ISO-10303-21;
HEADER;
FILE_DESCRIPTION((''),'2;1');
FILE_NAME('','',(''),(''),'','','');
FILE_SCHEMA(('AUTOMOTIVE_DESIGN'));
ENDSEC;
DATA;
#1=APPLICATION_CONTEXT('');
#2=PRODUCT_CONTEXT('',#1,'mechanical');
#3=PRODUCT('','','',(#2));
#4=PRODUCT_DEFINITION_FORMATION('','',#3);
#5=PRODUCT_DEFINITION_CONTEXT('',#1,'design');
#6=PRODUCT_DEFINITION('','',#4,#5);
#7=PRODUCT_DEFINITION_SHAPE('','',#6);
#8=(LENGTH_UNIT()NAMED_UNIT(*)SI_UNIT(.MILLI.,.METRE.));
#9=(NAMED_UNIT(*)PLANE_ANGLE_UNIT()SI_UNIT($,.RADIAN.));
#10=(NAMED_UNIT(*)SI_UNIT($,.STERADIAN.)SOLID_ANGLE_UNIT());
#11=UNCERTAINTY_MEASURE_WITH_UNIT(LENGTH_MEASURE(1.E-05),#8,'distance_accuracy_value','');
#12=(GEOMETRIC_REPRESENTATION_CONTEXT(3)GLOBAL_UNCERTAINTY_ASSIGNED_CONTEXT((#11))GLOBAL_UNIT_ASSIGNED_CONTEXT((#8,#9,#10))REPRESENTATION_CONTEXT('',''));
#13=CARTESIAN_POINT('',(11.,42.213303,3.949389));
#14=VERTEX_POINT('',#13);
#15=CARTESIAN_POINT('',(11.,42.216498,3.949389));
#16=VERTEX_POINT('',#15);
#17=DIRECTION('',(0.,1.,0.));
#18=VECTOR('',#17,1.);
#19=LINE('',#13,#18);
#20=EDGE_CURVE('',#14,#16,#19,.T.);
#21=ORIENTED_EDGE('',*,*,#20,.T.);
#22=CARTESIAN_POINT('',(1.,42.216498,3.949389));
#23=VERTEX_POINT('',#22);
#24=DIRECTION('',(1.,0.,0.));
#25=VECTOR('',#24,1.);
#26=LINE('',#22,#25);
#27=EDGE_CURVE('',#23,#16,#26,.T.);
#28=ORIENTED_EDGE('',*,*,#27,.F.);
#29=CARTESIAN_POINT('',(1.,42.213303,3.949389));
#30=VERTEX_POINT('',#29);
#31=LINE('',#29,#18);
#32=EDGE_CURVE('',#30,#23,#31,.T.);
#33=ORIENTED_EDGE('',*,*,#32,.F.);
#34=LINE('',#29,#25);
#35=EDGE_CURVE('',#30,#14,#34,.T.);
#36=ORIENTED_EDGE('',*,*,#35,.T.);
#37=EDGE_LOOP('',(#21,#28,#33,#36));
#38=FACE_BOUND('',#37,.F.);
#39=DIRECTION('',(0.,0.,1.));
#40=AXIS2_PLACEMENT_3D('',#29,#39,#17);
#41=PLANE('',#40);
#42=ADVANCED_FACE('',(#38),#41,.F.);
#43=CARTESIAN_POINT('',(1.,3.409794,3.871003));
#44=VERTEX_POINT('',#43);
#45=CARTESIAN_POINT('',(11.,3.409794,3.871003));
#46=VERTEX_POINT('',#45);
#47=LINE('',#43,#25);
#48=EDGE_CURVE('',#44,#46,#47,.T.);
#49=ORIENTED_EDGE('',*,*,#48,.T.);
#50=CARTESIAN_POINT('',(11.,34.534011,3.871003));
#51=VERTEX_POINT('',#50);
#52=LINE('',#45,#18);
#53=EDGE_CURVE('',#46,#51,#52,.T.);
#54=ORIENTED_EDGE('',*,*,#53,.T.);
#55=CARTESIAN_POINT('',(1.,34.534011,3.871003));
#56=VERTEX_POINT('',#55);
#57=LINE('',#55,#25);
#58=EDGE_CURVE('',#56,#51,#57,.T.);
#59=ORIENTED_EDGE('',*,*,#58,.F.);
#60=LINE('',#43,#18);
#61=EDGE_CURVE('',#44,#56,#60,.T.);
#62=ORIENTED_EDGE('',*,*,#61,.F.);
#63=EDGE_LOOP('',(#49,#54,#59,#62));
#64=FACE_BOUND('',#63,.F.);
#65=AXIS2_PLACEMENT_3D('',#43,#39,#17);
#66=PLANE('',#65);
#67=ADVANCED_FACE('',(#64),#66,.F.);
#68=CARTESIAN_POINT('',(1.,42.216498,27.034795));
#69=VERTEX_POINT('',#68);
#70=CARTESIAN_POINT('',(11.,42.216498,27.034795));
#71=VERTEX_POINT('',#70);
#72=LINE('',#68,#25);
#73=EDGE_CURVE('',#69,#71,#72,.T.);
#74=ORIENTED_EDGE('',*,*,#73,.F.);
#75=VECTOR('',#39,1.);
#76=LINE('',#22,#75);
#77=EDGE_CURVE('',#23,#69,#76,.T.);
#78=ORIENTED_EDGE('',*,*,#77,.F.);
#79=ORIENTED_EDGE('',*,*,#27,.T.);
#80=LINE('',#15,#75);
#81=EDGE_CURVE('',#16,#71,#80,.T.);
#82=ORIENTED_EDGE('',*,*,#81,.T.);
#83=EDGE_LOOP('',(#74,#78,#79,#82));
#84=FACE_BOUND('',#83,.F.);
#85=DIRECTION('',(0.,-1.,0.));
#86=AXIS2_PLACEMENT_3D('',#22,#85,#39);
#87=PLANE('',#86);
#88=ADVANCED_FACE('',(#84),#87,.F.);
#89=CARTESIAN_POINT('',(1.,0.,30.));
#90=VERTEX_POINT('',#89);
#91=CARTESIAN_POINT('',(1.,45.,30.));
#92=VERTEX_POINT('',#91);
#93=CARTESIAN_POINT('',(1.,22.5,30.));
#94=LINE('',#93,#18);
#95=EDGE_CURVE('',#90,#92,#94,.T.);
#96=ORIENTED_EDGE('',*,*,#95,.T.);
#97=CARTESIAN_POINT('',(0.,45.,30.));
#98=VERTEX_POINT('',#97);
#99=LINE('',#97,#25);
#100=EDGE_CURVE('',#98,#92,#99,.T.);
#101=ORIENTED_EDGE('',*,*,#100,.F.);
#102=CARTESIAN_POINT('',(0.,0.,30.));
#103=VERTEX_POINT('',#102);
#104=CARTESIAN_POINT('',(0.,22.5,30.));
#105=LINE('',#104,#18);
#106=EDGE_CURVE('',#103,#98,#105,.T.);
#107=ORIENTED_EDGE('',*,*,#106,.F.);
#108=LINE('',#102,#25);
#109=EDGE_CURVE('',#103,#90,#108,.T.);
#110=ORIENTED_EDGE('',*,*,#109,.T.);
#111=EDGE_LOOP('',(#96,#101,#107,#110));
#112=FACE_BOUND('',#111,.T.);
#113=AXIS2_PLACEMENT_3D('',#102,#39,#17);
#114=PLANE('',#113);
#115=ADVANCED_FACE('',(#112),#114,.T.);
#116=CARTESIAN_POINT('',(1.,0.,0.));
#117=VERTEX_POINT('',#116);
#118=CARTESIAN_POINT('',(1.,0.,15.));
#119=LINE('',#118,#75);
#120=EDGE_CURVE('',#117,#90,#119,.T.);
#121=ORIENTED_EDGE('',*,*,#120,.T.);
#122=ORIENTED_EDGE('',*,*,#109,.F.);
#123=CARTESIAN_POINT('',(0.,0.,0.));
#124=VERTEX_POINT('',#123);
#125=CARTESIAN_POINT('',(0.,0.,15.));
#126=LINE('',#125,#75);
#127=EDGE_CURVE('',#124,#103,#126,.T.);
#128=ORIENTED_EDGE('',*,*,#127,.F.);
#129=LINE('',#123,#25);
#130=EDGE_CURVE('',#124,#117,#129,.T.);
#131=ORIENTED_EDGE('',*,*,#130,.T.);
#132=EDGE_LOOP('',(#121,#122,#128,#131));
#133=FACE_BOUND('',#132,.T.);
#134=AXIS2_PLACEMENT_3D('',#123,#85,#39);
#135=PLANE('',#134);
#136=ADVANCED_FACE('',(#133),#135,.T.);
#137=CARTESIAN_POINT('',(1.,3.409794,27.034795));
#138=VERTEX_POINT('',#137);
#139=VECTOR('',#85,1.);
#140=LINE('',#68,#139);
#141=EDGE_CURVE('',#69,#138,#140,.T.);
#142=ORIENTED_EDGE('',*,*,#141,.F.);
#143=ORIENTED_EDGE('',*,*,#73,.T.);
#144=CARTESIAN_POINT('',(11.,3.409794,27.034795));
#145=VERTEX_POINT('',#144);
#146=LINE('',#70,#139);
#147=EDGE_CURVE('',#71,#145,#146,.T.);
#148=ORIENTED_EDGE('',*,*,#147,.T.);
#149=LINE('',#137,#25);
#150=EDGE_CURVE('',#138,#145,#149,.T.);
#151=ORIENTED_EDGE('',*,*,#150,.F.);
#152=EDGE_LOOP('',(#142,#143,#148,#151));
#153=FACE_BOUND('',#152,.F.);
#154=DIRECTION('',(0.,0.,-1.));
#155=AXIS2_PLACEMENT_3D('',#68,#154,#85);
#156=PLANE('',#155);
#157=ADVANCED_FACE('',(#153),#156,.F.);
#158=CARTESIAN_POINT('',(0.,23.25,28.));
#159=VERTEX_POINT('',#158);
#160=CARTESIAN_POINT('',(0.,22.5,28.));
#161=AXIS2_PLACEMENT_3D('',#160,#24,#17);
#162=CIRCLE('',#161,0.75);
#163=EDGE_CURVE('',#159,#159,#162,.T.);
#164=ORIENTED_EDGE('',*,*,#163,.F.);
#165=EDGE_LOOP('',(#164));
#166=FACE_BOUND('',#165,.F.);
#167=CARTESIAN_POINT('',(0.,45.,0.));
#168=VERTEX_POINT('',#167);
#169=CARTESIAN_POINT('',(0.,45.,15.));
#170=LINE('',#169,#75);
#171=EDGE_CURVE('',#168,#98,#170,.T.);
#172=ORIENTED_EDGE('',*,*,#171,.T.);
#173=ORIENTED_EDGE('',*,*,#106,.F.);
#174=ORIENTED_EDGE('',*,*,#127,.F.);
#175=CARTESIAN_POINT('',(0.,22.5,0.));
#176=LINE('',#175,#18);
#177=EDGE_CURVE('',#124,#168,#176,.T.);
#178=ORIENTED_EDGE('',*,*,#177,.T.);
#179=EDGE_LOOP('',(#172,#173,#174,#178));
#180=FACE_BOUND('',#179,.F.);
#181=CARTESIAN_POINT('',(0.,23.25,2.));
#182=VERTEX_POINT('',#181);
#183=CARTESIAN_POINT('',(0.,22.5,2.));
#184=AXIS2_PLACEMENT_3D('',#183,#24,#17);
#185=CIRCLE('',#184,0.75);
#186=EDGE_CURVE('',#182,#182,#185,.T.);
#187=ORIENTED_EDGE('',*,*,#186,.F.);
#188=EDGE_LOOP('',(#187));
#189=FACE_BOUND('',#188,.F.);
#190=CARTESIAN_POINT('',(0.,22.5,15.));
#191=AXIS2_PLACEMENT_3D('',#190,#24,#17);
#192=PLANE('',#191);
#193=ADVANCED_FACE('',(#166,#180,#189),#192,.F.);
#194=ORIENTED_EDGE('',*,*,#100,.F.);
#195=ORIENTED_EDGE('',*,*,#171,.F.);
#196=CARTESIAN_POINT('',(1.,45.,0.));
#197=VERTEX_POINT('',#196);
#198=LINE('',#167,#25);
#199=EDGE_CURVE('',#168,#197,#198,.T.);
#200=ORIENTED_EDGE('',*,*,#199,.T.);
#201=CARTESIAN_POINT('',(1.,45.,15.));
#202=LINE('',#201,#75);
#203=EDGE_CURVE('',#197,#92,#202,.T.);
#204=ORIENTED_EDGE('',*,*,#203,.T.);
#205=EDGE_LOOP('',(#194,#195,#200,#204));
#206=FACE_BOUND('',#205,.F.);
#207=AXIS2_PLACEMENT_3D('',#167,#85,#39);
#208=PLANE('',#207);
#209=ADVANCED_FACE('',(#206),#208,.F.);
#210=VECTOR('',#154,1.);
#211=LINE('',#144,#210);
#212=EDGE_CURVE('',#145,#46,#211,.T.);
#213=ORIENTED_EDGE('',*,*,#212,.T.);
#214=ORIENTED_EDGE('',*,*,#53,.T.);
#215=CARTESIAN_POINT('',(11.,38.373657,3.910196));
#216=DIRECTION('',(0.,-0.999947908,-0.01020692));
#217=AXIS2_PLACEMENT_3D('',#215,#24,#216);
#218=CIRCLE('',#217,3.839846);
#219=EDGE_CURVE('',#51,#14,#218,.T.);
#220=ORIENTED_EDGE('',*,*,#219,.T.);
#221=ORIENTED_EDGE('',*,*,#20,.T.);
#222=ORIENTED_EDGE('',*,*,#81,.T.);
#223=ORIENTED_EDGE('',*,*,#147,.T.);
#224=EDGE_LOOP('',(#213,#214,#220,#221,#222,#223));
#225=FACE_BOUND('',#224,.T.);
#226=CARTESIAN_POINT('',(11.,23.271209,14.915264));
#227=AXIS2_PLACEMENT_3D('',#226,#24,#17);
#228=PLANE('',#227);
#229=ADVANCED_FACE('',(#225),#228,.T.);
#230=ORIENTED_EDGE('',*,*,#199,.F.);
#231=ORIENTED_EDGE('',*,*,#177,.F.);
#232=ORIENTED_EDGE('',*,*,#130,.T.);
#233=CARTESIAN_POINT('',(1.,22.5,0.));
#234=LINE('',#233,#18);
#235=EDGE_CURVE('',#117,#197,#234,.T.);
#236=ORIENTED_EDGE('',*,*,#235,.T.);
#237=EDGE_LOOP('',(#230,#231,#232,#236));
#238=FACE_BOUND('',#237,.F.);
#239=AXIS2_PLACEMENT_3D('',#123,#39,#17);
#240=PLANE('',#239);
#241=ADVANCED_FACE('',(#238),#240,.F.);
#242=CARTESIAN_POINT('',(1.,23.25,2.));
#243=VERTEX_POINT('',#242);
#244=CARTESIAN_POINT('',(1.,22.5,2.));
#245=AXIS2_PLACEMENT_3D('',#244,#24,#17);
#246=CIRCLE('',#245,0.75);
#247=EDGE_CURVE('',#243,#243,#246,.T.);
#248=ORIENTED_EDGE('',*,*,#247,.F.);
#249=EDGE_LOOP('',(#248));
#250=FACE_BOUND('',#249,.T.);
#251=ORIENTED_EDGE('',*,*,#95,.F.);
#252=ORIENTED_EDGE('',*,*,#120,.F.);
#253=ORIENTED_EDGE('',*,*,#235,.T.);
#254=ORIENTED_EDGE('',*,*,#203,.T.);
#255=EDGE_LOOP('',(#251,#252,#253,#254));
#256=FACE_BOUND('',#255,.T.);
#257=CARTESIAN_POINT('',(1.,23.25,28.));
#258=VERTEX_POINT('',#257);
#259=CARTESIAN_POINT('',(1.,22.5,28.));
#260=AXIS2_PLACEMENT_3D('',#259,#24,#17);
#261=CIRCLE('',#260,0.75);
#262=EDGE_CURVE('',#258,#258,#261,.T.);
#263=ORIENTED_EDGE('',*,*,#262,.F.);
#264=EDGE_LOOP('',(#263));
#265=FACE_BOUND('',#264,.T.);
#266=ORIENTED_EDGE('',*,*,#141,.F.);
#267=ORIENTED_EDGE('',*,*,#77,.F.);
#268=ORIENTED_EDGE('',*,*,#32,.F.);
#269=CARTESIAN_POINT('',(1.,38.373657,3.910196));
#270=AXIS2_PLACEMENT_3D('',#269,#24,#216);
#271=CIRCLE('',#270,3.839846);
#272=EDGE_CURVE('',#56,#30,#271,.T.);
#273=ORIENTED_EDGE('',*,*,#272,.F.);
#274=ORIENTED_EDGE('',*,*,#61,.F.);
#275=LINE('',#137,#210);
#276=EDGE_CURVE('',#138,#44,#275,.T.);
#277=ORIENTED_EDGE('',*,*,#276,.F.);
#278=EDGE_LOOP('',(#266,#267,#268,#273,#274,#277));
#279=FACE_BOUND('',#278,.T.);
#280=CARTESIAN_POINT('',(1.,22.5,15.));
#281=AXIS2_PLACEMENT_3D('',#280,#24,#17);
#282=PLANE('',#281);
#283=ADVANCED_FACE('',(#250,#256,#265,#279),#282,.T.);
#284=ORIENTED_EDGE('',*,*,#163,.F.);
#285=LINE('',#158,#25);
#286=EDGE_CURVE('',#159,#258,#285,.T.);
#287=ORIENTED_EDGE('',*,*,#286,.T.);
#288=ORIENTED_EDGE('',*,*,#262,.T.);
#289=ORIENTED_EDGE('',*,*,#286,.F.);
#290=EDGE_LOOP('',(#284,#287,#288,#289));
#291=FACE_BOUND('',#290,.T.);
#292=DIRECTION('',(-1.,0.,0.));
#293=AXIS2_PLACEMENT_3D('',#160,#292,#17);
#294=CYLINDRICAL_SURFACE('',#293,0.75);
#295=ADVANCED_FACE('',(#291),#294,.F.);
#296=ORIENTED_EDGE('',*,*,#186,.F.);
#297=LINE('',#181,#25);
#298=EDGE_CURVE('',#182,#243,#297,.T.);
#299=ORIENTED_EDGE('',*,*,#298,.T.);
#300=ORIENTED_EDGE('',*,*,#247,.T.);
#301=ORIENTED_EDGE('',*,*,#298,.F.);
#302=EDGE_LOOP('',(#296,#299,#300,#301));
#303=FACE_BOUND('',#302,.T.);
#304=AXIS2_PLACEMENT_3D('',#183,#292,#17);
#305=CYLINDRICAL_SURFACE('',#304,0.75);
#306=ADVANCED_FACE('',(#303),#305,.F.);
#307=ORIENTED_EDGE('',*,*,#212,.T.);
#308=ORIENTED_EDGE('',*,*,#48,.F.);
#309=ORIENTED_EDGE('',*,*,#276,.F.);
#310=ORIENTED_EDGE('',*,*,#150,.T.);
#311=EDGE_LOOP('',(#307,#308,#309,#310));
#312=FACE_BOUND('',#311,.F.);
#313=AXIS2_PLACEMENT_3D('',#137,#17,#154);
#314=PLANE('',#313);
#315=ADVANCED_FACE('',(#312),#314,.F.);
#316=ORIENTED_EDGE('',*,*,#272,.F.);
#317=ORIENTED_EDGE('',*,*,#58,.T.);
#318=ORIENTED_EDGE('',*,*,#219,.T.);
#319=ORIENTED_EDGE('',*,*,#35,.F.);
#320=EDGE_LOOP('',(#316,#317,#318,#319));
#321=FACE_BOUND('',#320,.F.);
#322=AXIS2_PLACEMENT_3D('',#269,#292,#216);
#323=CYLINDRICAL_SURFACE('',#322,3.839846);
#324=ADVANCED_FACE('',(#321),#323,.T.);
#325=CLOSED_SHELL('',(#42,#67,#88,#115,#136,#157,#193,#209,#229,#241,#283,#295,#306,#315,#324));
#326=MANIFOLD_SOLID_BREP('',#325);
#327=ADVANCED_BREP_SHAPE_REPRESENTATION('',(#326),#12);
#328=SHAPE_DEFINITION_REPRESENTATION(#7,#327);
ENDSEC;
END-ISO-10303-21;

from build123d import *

# Parameters (mm, degrees)
F0_W     = 45
F0_H     = 30
F0_R     = 0.75
F1_DEPTH = 1
F3_DEPTH = 10


with BuildPart() as f1:
    # F0 (on Right) → F1 (new body)
    with BuildSketch(Plane.YZ):
        with Locations((22.5, 15)):
            Rectangle(F0_W, F0_H)
        with Locations((22.5, 2)):
            Circle(F0_R, mode=Mode.SUBTRACT)
        with Locations((22.5, 28)):
            Circle(F0_R, mode=Mode.SUBTRACT)
    extrude(amount=F1_DEPTH)

    # F2 (on face) → F3 (join)
    with BuildSketch(Plane.YZ.offset(1)):
        with BuildLine():
            Line((42.216498, 27.034795), (3.409794, 27.034795))
            Line((3.409794, 27.034795), (3.409794, 3.871003))
            Line((3.409794, 3.871003), (34.534011, 3.871003))
            ThreePointArc((34.534011, 3.871003), (38.41285, 0.07055), (42.213303, 3.949389))
            Line((42.213303, 3.949389), (42.216498, 3.949389))
            Line((42.216498, 3.949389), (42.216498, 27.034795))
        make_face()
    extrude(amount=F3_DEPTH)


solid = f1.part
